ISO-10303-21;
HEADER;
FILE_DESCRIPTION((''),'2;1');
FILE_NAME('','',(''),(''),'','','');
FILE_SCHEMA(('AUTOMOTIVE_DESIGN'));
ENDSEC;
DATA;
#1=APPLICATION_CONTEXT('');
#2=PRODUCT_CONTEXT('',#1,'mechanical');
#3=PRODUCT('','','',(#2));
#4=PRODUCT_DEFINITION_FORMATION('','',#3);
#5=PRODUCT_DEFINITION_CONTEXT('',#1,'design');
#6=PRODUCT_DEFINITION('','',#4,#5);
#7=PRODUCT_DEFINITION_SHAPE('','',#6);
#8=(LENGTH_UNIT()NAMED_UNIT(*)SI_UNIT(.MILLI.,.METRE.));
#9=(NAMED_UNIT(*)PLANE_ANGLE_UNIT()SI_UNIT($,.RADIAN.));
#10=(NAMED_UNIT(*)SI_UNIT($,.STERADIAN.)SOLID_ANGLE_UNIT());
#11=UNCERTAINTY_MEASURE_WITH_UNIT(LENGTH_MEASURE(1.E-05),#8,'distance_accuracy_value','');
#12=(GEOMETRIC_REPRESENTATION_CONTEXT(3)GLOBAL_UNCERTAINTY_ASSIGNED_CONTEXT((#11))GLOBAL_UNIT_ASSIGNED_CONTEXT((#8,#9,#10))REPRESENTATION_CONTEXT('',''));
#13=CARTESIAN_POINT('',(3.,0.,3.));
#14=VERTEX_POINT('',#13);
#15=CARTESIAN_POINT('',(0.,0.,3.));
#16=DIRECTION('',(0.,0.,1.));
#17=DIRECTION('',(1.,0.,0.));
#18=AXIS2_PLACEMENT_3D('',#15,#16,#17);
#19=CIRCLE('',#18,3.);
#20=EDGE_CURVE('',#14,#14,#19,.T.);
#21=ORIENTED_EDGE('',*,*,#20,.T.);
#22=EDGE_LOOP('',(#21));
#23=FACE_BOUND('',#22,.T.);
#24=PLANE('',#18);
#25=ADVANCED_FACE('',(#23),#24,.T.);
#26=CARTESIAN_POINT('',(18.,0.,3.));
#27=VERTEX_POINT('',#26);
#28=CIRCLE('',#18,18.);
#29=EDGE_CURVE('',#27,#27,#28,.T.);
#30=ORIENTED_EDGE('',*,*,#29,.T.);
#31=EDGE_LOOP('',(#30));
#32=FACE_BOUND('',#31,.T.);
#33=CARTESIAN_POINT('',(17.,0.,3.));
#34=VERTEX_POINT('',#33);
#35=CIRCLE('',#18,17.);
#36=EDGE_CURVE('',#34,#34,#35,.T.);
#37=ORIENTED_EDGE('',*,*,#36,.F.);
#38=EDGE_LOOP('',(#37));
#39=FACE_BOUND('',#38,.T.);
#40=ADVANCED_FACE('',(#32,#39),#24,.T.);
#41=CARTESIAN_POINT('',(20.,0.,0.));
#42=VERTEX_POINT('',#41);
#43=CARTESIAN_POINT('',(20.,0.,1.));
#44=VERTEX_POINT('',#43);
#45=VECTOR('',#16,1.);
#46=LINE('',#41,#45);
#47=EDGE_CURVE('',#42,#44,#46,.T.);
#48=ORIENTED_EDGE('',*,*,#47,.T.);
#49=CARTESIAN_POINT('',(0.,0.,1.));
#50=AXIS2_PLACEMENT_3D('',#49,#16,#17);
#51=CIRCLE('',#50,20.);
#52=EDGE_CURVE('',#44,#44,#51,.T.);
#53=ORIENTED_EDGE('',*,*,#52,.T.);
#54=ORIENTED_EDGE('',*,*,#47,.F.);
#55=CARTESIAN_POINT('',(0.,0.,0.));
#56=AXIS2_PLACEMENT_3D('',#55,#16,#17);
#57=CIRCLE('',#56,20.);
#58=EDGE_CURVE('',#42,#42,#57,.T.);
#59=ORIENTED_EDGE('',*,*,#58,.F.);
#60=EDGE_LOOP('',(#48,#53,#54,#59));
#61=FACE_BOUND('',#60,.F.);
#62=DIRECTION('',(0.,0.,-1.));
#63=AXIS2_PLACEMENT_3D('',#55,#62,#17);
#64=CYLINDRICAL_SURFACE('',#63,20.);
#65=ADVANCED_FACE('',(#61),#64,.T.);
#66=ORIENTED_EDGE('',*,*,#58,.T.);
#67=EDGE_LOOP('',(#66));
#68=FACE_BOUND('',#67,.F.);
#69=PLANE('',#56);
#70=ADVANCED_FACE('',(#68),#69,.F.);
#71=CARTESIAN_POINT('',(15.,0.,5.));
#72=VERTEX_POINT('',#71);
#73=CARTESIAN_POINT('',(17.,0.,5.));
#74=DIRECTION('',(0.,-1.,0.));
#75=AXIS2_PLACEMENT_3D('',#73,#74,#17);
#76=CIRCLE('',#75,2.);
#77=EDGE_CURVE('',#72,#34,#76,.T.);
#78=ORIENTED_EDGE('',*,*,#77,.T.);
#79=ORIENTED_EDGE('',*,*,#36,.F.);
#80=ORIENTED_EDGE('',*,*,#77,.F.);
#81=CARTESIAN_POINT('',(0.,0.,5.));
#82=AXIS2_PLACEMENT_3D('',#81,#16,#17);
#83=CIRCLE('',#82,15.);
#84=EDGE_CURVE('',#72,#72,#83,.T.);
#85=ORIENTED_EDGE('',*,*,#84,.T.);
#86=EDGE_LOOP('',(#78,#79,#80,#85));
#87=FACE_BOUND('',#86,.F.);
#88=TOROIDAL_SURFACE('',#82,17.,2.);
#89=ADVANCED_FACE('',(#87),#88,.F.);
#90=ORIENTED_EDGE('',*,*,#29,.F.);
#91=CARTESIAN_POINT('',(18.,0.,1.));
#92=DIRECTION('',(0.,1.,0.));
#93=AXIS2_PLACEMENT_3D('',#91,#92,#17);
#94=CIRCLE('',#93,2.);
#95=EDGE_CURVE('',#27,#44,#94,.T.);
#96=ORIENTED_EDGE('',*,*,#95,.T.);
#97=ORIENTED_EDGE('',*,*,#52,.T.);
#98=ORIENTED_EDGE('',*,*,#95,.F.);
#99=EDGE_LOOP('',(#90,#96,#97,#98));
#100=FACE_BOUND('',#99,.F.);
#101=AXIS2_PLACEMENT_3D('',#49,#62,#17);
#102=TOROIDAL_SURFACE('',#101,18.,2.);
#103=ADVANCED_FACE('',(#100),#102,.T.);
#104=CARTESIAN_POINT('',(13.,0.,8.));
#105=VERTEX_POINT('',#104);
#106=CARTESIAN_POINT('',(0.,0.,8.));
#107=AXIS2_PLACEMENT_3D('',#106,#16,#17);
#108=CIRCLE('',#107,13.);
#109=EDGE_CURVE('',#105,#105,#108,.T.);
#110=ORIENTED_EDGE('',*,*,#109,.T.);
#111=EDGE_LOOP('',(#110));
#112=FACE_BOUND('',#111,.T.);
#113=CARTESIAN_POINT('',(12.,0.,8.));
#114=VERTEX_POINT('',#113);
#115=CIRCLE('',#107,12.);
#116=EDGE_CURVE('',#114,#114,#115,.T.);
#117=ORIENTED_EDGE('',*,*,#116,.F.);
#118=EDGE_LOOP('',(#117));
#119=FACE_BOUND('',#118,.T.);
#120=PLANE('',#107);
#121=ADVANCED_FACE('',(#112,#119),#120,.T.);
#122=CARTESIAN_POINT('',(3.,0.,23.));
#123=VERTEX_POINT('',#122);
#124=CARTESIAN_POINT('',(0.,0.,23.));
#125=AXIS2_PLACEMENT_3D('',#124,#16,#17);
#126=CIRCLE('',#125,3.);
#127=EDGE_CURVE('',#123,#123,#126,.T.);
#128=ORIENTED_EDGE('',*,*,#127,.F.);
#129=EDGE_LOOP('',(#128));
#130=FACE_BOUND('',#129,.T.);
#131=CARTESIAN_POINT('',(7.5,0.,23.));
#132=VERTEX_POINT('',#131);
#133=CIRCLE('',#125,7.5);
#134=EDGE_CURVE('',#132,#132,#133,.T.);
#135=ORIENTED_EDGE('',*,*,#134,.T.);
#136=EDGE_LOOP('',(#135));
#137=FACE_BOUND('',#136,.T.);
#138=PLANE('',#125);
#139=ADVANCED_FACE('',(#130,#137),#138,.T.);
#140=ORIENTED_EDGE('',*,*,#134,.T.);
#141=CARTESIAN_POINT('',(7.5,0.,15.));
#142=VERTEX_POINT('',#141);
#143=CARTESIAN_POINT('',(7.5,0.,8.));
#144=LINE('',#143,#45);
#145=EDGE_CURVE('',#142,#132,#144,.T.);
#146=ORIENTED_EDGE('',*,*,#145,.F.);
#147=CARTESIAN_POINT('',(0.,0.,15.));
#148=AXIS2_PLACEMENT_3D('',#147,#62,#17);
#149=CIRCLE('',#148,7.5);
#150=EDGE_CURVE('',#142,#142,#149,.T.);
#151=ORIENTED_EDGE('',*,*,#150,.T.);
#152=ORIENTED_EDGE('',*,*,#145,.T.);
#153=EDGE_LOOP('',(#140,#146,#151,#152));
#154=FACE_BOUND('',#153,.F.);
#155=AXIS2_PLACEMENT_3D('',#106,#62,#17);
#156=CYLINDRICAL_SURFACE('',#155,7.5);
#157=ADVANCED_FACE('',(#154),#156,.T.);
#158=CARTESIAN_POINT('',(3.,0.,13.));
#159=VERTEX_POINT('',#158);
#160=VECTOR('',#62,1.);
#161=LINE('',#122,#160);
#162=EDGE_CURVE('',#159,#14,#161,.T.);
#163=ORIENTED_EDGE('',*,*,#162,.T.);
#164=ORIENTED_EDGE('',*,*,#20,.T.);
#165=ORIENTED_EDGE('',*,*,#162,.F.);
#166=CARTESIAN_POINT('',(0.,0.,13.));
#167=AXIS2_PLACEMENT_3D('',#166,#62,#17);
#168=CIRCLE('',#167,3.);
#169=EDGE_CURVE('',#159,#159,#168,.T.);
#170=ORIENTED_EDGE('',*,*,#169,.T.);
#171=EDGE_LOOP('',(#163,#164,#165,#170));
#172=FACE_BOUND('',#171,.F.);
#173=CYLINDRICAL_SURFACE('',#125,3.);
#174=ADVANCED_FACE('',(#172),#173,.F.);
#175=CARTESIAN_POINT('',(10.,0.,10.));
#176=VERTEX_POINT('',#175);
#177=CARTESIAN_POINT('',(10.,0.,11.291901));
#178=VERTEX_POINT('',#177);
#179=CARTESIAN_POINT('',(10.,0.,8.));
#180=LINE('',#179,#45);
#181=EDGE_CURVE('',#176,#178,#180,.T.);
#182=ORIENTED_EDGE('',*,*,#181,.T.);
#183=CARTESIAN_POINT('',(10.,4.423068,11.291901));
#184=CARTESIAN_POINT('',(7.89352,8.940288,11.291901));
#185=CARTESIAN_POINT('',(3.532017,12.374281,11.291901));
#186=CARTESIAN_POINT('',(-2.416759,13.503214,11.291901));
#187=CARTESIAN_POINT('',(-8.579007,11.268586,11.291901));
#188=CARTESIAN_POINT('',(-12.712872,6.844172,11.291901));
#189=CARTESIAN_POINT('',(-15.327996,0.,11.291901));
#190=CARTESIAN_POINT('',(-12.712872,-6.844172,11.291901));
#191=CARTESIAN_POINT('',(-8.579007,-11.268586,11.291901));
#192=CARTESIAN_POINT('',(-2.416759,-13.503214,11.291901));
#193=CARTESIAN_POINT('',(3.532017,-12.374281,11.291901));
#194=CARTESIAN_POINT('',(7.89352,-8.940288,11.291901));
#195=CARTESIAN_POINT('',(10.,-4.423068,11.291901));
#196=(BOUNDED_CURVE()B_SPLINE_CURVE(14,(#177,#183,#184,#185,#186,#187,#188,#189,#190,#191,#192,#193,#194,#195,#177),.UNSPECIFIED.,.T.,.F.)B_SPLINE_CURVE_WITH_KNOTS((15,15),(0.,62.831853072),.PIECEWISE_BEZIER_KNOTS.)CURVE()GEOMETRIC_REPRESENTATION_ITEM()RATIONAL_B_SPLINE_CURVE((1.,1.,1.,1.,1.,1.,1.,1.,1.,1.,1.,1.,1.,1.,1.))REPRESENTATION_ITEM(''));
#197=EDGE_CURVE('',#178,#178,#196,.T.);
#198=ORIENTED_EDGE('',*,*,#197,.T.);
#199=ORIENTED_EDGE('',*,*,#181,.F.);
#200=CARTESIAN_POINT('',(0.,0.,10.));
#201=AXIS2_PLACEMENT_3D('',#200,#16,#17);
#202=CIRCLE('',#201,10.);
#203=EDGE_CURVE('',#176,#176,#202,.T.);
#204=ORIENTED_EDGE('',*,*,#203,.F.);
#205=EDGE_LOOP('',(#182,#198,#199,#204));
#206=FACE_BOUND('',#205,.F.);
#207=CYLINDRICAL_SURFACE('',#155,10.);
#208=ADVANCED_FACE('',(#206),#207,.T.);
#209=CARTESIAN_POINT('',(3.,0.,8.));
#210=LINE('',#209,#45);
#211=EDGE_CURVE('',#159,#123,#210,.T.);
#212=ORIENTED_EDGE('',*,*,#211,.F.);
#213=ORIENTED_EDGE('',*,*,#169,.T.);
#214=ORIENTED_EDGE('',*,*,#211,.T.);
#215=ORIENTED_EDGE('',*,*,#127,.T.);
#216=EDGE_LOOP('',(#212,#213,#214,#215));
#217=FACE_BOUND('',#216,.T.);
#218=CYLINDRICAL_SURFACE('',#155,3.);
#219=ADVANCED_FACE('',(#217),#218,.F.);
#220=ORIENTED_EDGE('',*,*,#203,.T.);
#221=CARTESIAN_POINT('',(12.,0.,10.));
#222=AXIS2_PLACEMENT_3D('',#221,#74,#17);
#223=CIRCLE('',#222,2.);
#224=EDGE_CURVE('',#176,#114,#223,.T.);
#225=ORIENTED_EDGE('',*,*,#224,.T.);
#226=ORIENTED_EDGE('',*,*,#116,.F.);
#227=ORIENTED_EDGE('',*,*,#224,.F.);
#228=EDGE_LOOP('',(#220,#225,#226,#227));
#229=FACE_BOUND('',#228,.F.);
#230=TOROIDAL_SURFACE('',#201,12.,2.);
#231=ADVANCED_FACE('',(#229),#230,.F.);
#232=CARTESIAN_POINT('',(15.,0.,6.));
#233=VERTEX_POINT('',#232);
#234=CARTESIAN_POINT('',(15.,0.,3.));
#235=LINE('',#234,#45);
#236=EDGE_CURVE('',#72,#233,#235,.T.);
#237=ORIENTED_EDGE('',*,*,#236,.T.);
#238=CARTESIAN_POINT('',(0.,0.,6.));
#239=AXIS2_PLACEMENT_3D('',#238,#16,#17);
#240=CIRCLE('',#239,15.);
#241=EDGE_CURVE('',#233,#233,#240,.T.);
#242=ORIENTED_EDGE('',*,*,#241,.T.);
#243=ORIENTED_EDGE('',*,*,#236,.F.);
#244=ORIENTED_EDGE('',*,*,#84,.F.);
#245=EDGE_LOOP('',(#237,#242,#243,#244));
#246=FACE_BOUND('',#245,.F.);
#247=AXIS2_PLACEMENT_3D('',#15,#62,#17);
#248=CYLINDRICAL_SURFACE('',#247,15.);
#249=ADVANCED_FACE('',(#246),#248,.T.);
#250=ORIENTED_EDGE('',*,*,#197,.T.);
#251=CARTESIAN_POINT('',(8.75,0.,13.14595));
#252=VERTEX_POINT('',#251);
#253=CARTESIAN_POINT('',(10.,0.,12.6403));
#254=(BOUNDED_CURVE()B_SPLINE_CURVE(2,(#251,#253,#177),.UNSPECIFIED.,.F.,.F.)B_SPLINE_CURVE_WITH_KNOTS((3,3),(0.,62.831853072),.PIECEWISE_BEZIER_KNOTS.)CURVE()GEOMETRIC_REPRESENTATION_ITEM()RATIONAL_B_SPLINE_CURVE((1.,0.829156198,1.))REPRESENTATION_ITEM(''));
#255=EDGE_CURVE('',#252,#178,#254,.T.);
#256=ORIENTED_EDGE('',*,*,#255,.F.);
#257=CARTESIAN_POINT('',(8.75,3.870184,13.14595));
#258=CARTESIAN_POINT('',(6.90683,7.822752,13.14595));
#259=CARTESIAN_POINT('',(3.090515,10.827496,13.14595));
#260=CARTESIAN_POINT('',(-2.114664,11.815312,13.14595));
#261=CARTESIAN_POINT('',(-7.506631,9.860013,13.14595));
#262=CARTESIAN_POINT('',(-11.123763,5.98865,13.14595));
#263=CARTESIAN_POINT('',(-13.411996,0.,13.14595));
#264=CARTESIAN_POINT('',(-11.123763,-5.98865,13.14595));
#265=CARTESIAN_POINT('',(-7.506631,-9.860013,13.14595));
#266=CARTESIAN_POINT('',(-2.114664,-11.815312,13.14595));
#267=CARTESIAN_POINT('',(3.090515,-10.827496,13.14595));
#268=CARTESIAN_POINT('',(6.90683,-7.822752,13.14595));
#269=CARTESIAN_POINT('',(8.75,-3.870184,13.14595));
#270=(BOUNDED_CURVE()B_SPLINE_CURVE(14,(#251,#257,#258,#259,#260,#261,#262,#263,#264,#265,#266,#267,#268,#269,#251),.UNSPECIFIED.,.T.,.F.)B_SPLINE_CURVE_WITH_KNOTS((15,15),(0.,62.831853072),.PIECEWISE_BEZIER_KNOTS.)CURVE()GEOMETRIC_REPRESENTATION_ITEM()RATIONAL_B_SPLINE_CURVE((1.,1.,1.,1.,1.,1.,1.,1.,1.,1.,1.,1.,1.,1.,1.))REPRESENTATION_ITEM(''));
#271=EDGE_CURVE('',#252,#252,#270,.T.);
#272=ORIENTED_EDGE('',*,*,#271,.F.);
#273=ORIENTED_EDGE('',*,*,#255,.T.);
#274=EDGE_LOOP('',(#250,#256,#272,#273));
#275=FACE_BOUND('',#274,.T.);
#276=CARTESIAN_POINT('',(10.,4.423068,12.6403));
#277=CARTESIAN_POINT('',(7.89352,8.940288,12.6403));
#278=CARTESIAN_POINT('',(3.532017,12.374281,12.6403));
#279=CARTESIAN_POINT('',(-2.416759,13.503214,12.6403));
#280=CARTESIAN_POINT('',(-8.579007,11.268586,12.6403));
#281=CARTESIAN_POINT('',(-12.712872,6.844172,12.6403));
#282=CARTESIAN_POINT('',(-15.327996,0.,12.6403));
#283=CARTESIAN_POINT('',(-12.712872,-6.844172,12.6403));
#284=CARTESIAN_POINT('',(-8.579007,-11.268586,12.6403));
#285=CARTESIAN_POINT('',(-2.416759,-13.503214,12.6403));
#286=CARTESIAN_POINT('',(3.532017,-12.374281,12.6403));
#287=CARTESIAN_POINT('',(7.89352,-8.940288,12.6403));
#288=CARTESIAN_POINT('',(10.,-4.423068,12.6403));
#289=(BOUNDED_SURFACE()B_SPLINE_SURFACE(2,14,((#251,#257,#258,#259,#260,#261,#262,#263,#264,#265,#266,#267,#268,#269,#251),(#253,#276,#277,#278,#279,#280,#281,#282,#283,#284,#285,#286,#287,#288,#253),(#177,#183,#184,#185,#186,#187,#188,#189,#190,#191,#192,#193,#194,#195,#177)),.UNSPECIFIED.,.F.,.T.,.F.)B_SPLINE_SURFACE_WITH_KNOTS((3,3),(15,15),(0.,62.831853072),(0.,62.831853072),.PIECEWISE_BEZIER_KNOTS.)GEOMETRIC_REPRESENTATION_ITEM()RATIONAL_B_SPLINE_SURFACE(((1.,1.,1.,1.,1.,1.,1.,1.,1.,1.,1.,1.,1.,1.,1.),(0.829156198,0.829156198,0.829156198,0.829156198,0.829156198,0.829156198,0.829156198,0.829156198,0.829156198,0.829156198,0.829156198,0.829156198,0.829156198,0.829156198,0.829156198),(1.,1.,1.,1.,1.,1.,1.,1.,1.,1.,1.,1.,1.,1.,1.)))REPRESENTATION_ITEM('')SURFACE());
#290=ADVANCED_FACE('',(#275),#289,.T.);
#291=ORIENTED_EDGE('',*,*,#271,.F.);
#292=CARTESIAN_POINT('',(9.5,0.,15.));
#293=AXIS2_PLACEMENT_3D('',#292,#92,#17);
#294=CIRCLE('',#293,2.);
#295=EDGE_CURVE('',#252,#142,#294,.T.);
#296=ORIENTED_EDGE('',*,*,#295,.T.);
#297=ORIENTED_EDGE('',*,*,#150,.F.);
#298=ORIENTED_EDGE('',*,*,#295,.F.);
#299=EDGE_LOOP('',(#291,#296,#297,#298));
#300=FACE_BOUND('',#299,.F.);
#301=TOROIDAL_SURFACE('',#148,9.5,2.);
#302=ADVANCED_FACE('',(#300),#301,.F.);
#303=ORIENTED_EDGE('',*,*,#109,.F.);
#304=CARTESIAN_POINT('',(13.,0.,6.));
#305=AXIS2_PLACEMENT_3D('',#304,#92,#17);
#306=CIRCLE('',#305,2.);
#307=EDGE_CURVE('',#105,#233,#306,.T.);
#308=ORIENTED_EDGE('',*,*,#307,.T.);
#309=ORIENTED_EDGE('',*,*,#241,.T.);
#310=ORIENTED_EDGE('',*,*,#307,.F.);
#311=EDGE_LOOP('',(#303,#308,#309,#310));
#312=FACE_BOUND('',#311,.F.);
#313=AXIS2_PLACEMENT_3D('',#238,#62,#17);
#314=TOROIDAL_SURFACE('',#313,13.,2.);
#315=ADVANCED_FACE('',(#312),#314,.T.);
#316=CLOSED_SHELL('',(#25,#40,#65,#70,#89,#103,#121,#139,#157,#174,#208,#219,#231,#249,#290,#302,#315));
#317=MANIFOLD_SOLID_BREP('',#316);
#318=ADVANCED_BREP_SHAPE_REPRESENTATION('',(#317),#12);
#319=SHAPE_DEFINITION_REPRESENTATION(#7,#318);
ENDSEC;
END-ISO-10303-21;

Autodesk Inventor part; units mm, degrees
ref_plane "YZ Plane" through (0, 0, 0) normal (1, 0, 0) x (0, 1, 0)
ref_plane "XZ Plane" through (0, 0, 0) normal (0, 1, 0) x (-1, 0, 0)
ref_plane "XY Plane" through (0, 0, 0) normal (0, 0, 1) x (1, 0, 0)
sketch "Boceto1" plane through (0, 0, 0) normal (0, 0, 1) x (1, 0, 0)
  circle A0 centre (0, 0) radius 20
  dimension "d0" = 40
extrude "Extrusión1" add sketch "Boceto1" along normal blind 3
sketch "Boceto2" plane through (0, 0, 3) normal (0, 0, 1) x (1, 0, 0)
  circle A0 centre (0, 0) radius 15
  dimension "d3" = 30
extrude "Extrusión2" add sketch "Boceto2" along normal blind 5
sketch "Boceto3" plane through (0, 0, 8) normal (0, 0, 1) x (1, 0, 0)
  circle A0 centre (0, 0) radius 3
  circle A1 centre (0, 0) radius 7.5
  dimension "d6" = 6
  dimension "d7" = 15
extrude "Extrusión3" add sketch "Boceto3" along normal blind 15
sketch "Boceto4" plane through (0, 0, 8) normal (0, 0, 1) x (1, 0, 0)
  circle A0 centre (0, 0) radius 10
  dimension "d10" = 20
extrude "Extrusión4" add sketch "Boceto4" along normal blind 5
sketch "Boceto5" plane through (0, 0, 23) normal (0, 0, 1) x (1, 0, 0)
  circle A0 centre (0, 0) radius 3
extrude "Extrusión5" cut sketch "Boceto5" against normal blind 20
fillet "Empalme1" radius 2 6 edges at (-7.5, 0, 13) (-10, 0, 13) (-10, 0, 8) (-15, 0, 8) (-15, 0, 3) (-20, 0, 3)
properties part number "antena_down"
